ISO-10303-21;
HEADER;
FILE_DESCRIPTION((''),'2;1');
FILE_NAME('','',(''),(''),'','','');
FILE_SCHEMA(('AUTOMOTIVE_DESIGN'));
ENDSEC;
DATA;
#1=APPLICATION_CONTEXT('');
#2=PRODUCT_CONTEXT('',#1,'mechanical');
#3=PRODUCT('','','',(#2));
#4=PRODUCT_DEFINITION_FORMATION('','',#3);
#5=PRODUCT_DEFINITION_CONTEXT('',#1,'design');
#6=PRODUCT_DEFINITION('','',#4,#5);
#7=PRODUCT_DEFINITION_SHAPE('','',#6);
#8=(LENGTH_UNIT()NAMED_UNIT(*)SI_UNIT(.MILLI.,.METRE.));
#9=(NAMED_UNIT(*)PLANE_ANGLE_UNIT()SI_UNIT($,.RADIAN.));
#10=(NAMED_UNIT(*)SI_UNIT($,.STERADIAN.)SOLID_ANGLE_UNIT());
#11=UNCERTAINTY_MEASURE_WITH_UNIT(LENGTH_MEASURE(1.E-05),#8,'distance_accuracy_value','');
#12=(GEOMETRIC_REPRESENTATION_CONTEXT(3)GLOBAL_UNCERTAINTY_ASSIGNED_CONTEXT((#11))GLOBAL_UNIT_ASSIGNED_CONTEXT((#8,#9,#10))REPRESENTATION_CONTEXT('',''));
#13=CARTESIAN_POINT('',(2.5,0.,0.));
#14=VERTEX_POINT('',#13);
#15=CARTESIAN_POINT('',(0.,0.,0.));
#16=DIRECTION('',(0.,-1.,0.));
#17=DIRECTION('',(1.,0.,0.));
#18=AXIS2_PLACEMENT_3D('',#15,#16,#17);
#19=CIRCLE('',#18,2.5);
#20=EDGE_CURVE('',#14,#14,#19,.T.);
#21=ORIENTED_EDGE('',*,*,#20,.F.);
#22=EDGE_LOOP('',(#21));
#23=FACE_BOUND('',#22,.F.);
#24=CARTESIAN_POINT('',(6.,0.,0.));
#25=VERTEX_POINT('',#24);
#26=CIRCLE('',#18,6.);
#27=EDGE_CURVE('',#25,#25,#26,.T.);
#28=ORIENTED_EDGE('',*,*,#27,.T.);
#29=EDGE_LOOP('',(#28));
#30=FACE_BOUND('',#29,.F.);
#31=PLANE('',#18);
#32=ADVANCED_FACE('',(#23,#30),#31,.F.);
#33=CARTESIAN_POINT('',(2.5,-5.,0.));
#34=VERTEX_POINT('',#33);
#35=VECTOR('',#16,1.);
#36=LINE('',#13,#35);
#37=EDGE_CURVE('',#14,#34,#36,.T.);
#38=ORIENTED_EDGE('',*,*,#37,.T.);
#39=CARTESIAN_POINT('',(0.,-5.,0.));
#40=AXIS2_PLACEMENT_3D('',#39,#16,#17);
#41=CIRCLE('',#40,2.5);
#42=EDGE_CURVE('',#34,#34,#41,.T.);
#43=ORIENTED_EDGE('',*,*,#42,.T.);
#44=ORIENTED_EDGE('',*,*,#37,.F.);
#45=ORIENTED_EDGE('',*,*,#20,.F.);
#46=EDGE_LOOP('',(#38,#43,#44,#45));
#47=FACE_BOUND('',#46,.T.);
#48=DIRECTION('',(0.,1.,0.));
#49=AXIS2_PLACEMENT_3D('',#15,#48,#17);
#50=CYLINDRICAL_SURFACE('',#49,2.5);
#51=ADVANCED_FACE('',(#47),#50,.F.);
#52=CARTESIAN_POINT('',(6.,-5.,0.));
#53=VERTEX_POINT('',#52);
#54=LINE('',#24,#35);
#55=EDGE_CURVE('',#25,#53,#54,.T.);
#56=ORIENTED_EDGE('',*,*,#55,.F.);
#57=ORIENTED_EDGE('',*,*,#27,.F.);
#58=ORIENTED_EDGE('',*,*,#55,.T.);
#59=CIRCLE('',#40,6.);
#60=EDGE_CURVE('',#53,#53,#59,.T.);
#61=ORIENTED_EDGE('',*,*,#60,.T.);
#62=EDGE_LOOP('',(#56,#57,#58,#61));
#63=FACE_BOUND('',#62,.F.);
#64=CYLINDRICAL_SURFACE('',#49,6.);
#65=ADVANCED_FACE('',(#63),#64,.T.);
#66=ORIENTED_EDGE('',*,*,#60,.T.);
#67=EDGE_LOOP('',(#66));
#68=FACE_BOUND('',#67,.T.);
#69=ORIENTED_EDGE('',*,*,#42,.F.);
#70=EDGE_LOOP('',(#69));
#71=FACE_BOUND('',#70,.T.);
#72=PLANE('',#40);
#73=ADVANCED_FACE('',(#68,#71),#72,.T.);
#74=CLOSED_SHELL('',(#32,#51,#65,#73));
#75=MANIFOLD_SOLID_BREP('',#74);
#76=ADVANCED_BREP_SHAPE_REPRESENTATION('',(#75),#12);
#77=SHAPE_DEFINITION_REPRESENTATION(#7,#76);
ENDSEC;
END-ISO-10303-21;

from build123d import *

# Parameters (mm, degrees)
F0_R     = 6
F0_R_2   = 2.5
F1_DEPTH = 5


with BuildPart() as f1:
    # F0 (on Front) → F1 (new body)
    with BuildSketch(Plane.XZ):
        Circle(F0_R)
        Circle(F0_R_2, mode=Mode.SUBTRACT)
    extrude(amount=F1_DEPTH)


with BuildPart() as f2_1:
    # F2: copy of F1
    add(f1.part)


solid = f1.part
